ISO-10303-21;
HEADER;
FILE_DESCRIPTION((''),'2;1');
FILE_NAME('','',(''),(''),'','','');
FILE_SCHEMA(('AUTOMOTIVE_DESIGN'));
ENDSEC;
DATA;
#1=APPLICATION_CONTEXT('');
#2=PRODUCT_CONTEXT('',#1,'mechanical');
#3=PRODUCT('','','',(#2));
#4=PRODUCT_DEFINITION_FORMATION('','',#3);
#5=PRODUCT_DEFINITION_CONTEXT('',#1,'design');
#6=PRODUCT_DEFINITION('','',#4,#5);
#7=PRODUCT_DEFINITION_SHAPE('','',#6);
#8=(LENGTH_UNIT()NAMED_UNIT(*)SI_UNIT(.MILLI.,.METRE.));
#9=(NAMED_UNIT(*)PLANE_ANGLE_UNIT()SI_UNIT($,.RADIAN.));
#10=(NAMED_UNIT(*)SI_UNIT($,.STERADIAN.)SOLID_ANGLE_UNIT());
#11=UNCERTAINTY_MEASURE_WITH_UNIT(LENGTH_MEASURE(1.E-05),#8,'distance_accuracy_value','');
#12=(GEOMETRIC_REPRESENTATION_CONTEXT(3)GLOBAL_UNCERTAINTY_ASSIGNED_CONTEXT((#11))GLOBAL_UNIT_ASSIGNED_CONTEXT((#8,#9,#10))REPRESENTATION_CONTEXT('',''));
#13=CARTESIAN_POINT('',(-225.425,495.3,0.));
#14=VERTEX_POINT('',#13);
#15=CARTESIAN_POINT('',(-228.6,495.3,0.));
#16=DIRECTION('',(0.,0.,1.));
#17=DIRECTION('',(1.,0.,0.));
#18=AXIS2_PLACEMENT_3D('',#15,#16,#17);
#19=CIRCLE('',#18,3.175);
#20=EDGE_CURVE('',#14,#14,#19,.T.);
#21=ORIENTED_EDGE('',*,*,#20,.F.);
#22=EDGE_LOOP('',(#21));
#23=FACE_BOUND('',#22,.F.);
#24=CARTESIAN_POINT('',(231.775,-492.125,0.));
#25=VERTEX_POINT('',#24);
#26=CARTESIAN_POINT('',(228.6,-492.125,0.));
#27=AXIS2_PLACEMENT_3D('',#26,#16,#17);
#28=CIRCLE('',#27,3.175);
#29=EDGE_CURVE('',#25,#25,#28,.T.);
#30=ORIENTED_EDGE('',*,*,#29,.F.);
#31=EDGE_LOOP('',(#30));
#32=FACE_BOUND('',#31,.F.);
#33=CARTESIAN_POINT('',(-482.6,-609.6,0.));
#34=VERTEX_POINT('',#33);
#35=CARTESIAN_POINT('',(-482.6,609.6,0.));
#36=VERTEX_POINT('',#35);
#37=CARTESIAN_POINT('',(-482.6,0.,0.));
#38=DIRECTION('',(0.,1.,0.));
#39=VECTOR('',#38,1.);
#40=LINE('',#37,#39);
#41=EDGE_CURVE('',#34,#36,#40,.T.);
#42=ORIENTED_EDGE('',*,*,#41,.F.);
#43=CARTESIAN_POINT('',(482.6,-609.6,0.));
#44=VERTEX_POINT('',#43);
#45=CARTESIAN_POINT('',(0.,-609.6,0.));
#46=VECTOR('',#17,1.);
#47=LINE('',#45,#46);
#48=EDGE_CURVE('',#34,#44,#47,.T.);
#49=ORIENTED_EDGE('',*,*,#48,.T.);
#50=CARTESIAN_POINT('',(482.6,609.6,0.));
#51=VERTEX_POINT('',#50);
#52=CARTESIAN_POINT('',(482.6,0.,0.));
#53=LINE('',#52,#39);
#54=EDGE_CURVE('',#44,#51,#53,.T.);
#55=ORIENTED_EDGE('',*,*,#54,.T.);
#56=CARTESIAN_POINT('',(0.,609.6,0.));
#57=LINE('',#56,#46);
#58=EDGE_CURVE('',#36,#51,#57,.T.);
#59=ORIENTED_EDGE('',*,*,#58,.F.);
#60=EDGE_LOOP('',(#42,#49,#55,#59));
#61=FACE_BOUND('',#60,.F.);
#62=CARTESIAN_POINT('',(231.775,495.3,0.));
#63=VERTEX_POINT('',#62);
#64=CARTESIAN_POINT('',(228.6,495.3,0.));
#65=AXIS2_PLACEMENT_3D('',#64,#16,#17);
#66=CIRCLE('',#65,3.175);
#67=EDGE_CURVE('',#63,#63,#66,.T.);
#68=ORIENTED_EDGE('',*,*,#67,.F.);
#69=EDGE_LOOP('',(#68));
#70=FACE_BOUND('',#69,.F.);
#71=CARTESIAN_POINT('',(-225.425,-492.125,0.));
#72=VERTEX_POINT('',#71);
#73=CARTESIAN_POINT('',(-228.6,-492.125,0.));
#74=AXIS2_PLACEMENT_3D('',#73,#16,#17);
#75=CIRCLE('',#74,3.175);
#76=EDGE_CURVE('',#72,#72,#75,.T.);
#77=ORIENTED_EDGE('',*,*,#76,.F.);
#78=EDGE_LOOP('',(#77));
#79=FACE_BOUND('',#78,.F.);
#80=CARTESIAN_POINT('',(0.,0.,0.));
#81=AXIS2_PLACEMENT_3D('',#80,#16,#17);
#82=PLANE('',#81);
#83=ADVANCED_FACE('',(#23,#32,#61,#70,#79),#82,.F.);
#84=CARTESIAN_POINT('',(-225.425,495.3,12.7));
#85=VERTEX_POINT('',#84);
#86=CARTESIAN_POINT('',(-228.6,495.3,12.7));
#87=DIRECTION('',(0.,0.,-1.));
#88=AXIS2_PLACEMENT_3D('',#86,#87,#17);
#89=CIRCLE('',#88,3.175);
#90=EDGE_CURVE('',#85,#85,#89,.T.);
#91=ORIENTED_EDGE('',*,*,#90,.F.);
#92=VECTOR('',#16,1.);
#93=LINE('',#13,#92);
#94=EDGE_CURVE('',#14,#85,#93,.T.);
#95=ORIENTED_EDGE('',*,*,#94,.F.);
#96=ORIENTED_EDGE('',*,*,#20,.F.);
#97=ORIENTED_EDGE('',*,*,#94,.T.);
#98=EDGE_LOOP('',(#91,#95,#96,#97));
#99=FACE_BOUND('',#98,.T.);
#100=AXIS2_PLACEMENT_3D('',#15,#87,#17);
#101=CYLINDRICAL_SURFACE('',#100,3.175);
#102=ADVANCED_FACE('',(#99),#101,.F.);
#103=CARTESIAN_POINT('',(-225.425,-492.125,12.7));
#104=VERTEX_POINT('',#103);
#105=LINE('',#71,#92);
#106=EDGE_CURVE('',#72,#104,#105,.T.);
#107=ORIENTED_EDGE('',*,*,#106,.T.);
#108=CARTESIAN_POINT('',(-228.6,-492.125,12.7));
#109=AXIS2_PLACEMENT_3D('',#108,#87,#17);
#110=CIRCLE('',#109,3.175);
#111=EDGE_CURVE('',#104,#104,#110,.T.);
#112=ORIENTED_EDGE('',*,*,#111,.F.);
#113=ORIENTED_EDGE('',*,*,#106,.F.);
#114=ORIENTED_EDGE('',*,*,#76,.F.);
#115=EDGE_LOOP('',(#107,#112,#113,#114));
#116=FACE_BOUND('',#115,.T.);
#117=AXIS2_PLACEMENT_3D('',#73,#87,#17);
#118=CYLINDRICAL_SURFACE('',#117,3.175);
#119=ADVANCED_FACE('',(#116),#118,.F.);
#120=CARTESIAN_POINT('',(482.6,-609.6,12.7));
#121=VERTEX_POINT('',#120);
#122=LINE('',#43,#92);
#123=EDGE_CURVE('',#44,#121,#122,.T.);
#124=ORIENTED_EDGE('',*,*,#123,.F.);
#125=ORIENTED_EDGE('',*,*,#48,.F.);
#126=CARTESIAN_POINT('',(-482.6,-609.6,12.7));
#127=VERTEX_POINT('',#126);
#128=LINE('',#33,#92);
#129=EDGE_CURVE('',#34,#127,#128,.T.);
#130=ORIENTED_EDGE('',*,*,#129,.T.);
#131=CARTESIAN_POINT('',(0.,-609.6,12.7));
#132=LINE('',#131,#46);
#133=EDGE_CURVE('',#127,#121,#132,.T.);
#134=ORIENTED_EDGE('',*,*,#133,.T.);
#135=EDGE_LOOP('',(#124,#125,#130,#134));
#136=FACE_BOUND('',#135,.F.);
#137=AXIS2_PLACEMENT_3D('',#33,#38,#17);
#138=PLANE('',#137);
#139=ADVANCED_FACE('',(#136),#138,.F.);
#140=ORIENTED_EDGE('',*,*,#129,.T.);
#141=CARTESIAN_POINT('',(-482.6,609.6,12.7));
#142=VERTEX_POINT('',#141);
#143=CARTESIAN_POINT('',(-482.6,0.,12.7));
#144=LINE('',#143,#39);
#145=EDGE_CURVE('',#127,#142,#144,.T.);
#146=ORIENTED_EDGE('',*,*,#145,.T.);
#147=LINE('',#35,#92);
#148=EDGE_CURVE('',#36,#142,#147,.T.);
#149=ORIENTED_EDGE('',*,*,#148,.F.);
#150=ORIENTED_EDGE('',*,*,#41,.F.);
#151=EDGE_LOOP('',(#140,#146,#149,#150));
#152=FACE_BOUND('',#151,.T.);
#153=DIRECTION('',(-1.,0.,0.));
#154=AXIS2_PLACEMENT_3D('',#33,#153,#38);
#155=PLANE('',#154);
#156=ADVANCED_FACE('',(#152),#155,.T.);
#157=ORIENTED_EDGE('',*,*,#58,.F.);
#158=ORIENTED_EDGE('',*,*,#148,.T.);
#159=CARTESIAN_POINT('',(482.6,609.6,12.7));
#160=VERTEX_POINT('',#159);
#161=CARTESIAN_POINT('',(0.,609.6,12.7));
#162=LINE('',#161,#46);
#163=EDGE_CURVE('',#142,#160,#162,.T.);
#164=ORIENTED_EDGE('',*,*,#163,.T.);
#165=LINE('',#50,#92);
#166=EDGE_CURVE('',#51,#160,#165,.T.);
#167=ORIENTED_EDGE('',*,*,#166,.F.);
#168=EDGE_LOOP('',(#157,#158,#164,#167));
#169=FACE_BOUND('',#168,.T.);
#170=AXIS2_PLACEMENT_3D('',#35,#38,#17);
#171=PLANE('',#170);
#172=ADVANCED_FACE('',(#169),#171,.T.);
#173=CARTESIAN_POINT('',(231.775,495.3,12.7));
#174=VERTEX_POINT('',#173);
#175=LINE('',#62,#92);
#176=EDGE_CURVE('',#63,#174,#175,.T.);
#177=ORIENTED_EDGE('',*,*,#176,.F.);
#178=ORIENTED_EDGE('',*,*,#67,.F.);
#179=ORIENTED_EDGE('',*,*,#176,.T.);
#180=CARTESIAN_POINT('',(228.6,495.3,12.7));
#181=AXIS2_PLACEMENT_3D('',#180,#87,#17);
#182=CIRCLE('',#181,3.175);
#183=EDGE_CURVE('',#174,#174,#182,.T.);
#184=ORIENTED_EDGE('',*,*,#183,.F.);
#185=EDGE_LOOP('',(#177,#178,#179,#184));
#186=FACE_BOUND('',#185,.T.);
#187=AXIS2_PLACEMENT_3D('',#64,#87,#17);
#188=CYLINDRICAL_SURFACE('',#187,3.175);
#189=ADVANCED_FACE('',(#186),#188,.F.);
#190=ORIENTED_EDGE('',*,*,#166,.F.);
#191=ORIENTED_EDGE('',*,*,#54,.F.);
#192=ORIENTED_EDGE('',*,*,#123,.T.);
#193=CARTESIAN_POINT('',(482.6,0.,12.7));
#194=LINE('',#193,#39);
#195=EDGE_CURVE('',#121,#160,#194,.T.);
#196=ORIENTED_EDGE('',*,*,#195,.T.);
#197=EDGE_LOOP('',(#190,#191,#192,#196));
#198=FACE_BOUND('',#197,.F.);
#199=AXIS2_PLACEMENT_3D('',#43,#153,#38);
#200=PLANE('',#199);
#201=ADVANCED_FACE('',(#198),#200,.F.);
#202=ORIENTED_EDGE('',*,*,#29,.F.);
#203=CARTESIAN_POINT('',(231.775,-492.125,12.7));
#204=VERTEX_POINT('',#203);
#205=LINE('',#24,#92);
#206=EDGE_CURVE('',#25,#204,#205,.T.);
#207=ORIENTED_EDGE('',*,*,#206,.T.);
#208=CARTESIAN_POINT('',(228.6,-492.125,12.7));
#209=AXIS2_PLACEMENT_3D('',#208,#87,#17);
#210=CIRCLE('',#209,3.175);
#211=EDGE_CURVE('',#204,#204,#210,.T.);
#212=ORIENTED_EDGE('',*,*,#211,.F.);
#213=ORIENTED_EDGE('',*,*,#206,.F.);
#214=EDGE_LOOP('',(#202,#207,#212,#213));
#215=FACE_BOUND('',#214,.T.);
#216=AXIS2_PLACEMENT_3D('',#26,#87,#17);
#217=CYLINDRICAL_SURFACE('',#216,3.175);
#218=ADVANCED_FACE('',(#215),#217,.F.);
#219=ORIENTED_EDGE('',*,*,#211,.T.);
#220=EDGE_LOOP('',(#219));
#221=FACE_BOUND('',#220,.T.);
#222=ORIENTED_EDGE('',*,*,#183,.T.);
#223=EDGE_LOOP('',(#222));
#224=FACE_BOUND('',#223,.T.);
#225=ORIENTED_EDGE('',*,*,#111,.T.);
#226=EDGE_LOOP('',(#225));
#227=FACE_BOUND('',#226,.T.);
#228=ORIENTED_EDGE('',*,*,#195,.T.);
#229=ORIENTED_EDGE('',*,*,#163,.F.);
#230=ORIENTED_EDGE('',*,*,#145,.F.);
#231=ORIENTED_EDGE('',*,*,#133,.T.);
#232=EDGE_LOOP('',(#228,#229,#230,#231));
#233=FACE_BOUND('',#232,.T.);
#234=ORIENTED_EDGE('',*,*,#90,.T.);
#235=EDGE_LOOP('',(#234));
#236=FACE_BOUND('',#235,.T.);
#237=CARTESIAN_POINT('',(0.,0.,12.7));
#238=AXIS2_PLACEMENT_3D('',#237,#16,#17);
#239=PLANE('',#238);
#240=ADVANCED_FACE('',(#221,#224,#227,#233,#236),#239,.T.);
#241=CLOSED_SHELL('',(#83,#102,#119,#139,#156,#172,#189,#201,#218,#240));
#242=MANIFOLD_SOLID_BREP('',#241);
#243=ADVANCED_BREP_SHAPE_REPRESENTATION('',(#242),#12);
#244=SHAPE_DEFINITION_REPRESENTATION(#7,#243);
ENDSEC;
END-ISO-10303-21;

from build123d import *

# Parameters (mm, degrees)
F0_W     = 965.2
F0_H     = 1219.2
F1_DEPTH = 12.7
F2_R     = 3.175
F3_DEPTH = 25.4
F4_R     = 3.175
F5_DEPTH = 25.4


with BuildPart() as f1:
    # F0 (on Top) → F1 (new body)
    with BuildSketch(Plane.XY):
        Rectangle(F0_W, F0_H)
    extrude(amount=F1_DEPTH)

    # F2 (on Top) → F3 (cut)
    with BuildSketch(Plane.XY):
        with Locations((-228.6, -492.125)):
            Circle(F2_R)
        with Locations((228.6, -492.125)):
            Circle(F2_R)
    extrude(amount=F3_DEPTH, mode=Mode.SUBTRACT)

    # F4 (on Top) → F5 (cut)
    with BuildSketch(Plane.XY):
        with Locations((-228.6, 495.3)):
            Circle(F4_R)
        with Locations((228.6, 495.3)):
            Circle(F4_R)
    extrude(amount=F5_DEPTH, mode=Mode.SUBTRACT)


solid = f1.part
